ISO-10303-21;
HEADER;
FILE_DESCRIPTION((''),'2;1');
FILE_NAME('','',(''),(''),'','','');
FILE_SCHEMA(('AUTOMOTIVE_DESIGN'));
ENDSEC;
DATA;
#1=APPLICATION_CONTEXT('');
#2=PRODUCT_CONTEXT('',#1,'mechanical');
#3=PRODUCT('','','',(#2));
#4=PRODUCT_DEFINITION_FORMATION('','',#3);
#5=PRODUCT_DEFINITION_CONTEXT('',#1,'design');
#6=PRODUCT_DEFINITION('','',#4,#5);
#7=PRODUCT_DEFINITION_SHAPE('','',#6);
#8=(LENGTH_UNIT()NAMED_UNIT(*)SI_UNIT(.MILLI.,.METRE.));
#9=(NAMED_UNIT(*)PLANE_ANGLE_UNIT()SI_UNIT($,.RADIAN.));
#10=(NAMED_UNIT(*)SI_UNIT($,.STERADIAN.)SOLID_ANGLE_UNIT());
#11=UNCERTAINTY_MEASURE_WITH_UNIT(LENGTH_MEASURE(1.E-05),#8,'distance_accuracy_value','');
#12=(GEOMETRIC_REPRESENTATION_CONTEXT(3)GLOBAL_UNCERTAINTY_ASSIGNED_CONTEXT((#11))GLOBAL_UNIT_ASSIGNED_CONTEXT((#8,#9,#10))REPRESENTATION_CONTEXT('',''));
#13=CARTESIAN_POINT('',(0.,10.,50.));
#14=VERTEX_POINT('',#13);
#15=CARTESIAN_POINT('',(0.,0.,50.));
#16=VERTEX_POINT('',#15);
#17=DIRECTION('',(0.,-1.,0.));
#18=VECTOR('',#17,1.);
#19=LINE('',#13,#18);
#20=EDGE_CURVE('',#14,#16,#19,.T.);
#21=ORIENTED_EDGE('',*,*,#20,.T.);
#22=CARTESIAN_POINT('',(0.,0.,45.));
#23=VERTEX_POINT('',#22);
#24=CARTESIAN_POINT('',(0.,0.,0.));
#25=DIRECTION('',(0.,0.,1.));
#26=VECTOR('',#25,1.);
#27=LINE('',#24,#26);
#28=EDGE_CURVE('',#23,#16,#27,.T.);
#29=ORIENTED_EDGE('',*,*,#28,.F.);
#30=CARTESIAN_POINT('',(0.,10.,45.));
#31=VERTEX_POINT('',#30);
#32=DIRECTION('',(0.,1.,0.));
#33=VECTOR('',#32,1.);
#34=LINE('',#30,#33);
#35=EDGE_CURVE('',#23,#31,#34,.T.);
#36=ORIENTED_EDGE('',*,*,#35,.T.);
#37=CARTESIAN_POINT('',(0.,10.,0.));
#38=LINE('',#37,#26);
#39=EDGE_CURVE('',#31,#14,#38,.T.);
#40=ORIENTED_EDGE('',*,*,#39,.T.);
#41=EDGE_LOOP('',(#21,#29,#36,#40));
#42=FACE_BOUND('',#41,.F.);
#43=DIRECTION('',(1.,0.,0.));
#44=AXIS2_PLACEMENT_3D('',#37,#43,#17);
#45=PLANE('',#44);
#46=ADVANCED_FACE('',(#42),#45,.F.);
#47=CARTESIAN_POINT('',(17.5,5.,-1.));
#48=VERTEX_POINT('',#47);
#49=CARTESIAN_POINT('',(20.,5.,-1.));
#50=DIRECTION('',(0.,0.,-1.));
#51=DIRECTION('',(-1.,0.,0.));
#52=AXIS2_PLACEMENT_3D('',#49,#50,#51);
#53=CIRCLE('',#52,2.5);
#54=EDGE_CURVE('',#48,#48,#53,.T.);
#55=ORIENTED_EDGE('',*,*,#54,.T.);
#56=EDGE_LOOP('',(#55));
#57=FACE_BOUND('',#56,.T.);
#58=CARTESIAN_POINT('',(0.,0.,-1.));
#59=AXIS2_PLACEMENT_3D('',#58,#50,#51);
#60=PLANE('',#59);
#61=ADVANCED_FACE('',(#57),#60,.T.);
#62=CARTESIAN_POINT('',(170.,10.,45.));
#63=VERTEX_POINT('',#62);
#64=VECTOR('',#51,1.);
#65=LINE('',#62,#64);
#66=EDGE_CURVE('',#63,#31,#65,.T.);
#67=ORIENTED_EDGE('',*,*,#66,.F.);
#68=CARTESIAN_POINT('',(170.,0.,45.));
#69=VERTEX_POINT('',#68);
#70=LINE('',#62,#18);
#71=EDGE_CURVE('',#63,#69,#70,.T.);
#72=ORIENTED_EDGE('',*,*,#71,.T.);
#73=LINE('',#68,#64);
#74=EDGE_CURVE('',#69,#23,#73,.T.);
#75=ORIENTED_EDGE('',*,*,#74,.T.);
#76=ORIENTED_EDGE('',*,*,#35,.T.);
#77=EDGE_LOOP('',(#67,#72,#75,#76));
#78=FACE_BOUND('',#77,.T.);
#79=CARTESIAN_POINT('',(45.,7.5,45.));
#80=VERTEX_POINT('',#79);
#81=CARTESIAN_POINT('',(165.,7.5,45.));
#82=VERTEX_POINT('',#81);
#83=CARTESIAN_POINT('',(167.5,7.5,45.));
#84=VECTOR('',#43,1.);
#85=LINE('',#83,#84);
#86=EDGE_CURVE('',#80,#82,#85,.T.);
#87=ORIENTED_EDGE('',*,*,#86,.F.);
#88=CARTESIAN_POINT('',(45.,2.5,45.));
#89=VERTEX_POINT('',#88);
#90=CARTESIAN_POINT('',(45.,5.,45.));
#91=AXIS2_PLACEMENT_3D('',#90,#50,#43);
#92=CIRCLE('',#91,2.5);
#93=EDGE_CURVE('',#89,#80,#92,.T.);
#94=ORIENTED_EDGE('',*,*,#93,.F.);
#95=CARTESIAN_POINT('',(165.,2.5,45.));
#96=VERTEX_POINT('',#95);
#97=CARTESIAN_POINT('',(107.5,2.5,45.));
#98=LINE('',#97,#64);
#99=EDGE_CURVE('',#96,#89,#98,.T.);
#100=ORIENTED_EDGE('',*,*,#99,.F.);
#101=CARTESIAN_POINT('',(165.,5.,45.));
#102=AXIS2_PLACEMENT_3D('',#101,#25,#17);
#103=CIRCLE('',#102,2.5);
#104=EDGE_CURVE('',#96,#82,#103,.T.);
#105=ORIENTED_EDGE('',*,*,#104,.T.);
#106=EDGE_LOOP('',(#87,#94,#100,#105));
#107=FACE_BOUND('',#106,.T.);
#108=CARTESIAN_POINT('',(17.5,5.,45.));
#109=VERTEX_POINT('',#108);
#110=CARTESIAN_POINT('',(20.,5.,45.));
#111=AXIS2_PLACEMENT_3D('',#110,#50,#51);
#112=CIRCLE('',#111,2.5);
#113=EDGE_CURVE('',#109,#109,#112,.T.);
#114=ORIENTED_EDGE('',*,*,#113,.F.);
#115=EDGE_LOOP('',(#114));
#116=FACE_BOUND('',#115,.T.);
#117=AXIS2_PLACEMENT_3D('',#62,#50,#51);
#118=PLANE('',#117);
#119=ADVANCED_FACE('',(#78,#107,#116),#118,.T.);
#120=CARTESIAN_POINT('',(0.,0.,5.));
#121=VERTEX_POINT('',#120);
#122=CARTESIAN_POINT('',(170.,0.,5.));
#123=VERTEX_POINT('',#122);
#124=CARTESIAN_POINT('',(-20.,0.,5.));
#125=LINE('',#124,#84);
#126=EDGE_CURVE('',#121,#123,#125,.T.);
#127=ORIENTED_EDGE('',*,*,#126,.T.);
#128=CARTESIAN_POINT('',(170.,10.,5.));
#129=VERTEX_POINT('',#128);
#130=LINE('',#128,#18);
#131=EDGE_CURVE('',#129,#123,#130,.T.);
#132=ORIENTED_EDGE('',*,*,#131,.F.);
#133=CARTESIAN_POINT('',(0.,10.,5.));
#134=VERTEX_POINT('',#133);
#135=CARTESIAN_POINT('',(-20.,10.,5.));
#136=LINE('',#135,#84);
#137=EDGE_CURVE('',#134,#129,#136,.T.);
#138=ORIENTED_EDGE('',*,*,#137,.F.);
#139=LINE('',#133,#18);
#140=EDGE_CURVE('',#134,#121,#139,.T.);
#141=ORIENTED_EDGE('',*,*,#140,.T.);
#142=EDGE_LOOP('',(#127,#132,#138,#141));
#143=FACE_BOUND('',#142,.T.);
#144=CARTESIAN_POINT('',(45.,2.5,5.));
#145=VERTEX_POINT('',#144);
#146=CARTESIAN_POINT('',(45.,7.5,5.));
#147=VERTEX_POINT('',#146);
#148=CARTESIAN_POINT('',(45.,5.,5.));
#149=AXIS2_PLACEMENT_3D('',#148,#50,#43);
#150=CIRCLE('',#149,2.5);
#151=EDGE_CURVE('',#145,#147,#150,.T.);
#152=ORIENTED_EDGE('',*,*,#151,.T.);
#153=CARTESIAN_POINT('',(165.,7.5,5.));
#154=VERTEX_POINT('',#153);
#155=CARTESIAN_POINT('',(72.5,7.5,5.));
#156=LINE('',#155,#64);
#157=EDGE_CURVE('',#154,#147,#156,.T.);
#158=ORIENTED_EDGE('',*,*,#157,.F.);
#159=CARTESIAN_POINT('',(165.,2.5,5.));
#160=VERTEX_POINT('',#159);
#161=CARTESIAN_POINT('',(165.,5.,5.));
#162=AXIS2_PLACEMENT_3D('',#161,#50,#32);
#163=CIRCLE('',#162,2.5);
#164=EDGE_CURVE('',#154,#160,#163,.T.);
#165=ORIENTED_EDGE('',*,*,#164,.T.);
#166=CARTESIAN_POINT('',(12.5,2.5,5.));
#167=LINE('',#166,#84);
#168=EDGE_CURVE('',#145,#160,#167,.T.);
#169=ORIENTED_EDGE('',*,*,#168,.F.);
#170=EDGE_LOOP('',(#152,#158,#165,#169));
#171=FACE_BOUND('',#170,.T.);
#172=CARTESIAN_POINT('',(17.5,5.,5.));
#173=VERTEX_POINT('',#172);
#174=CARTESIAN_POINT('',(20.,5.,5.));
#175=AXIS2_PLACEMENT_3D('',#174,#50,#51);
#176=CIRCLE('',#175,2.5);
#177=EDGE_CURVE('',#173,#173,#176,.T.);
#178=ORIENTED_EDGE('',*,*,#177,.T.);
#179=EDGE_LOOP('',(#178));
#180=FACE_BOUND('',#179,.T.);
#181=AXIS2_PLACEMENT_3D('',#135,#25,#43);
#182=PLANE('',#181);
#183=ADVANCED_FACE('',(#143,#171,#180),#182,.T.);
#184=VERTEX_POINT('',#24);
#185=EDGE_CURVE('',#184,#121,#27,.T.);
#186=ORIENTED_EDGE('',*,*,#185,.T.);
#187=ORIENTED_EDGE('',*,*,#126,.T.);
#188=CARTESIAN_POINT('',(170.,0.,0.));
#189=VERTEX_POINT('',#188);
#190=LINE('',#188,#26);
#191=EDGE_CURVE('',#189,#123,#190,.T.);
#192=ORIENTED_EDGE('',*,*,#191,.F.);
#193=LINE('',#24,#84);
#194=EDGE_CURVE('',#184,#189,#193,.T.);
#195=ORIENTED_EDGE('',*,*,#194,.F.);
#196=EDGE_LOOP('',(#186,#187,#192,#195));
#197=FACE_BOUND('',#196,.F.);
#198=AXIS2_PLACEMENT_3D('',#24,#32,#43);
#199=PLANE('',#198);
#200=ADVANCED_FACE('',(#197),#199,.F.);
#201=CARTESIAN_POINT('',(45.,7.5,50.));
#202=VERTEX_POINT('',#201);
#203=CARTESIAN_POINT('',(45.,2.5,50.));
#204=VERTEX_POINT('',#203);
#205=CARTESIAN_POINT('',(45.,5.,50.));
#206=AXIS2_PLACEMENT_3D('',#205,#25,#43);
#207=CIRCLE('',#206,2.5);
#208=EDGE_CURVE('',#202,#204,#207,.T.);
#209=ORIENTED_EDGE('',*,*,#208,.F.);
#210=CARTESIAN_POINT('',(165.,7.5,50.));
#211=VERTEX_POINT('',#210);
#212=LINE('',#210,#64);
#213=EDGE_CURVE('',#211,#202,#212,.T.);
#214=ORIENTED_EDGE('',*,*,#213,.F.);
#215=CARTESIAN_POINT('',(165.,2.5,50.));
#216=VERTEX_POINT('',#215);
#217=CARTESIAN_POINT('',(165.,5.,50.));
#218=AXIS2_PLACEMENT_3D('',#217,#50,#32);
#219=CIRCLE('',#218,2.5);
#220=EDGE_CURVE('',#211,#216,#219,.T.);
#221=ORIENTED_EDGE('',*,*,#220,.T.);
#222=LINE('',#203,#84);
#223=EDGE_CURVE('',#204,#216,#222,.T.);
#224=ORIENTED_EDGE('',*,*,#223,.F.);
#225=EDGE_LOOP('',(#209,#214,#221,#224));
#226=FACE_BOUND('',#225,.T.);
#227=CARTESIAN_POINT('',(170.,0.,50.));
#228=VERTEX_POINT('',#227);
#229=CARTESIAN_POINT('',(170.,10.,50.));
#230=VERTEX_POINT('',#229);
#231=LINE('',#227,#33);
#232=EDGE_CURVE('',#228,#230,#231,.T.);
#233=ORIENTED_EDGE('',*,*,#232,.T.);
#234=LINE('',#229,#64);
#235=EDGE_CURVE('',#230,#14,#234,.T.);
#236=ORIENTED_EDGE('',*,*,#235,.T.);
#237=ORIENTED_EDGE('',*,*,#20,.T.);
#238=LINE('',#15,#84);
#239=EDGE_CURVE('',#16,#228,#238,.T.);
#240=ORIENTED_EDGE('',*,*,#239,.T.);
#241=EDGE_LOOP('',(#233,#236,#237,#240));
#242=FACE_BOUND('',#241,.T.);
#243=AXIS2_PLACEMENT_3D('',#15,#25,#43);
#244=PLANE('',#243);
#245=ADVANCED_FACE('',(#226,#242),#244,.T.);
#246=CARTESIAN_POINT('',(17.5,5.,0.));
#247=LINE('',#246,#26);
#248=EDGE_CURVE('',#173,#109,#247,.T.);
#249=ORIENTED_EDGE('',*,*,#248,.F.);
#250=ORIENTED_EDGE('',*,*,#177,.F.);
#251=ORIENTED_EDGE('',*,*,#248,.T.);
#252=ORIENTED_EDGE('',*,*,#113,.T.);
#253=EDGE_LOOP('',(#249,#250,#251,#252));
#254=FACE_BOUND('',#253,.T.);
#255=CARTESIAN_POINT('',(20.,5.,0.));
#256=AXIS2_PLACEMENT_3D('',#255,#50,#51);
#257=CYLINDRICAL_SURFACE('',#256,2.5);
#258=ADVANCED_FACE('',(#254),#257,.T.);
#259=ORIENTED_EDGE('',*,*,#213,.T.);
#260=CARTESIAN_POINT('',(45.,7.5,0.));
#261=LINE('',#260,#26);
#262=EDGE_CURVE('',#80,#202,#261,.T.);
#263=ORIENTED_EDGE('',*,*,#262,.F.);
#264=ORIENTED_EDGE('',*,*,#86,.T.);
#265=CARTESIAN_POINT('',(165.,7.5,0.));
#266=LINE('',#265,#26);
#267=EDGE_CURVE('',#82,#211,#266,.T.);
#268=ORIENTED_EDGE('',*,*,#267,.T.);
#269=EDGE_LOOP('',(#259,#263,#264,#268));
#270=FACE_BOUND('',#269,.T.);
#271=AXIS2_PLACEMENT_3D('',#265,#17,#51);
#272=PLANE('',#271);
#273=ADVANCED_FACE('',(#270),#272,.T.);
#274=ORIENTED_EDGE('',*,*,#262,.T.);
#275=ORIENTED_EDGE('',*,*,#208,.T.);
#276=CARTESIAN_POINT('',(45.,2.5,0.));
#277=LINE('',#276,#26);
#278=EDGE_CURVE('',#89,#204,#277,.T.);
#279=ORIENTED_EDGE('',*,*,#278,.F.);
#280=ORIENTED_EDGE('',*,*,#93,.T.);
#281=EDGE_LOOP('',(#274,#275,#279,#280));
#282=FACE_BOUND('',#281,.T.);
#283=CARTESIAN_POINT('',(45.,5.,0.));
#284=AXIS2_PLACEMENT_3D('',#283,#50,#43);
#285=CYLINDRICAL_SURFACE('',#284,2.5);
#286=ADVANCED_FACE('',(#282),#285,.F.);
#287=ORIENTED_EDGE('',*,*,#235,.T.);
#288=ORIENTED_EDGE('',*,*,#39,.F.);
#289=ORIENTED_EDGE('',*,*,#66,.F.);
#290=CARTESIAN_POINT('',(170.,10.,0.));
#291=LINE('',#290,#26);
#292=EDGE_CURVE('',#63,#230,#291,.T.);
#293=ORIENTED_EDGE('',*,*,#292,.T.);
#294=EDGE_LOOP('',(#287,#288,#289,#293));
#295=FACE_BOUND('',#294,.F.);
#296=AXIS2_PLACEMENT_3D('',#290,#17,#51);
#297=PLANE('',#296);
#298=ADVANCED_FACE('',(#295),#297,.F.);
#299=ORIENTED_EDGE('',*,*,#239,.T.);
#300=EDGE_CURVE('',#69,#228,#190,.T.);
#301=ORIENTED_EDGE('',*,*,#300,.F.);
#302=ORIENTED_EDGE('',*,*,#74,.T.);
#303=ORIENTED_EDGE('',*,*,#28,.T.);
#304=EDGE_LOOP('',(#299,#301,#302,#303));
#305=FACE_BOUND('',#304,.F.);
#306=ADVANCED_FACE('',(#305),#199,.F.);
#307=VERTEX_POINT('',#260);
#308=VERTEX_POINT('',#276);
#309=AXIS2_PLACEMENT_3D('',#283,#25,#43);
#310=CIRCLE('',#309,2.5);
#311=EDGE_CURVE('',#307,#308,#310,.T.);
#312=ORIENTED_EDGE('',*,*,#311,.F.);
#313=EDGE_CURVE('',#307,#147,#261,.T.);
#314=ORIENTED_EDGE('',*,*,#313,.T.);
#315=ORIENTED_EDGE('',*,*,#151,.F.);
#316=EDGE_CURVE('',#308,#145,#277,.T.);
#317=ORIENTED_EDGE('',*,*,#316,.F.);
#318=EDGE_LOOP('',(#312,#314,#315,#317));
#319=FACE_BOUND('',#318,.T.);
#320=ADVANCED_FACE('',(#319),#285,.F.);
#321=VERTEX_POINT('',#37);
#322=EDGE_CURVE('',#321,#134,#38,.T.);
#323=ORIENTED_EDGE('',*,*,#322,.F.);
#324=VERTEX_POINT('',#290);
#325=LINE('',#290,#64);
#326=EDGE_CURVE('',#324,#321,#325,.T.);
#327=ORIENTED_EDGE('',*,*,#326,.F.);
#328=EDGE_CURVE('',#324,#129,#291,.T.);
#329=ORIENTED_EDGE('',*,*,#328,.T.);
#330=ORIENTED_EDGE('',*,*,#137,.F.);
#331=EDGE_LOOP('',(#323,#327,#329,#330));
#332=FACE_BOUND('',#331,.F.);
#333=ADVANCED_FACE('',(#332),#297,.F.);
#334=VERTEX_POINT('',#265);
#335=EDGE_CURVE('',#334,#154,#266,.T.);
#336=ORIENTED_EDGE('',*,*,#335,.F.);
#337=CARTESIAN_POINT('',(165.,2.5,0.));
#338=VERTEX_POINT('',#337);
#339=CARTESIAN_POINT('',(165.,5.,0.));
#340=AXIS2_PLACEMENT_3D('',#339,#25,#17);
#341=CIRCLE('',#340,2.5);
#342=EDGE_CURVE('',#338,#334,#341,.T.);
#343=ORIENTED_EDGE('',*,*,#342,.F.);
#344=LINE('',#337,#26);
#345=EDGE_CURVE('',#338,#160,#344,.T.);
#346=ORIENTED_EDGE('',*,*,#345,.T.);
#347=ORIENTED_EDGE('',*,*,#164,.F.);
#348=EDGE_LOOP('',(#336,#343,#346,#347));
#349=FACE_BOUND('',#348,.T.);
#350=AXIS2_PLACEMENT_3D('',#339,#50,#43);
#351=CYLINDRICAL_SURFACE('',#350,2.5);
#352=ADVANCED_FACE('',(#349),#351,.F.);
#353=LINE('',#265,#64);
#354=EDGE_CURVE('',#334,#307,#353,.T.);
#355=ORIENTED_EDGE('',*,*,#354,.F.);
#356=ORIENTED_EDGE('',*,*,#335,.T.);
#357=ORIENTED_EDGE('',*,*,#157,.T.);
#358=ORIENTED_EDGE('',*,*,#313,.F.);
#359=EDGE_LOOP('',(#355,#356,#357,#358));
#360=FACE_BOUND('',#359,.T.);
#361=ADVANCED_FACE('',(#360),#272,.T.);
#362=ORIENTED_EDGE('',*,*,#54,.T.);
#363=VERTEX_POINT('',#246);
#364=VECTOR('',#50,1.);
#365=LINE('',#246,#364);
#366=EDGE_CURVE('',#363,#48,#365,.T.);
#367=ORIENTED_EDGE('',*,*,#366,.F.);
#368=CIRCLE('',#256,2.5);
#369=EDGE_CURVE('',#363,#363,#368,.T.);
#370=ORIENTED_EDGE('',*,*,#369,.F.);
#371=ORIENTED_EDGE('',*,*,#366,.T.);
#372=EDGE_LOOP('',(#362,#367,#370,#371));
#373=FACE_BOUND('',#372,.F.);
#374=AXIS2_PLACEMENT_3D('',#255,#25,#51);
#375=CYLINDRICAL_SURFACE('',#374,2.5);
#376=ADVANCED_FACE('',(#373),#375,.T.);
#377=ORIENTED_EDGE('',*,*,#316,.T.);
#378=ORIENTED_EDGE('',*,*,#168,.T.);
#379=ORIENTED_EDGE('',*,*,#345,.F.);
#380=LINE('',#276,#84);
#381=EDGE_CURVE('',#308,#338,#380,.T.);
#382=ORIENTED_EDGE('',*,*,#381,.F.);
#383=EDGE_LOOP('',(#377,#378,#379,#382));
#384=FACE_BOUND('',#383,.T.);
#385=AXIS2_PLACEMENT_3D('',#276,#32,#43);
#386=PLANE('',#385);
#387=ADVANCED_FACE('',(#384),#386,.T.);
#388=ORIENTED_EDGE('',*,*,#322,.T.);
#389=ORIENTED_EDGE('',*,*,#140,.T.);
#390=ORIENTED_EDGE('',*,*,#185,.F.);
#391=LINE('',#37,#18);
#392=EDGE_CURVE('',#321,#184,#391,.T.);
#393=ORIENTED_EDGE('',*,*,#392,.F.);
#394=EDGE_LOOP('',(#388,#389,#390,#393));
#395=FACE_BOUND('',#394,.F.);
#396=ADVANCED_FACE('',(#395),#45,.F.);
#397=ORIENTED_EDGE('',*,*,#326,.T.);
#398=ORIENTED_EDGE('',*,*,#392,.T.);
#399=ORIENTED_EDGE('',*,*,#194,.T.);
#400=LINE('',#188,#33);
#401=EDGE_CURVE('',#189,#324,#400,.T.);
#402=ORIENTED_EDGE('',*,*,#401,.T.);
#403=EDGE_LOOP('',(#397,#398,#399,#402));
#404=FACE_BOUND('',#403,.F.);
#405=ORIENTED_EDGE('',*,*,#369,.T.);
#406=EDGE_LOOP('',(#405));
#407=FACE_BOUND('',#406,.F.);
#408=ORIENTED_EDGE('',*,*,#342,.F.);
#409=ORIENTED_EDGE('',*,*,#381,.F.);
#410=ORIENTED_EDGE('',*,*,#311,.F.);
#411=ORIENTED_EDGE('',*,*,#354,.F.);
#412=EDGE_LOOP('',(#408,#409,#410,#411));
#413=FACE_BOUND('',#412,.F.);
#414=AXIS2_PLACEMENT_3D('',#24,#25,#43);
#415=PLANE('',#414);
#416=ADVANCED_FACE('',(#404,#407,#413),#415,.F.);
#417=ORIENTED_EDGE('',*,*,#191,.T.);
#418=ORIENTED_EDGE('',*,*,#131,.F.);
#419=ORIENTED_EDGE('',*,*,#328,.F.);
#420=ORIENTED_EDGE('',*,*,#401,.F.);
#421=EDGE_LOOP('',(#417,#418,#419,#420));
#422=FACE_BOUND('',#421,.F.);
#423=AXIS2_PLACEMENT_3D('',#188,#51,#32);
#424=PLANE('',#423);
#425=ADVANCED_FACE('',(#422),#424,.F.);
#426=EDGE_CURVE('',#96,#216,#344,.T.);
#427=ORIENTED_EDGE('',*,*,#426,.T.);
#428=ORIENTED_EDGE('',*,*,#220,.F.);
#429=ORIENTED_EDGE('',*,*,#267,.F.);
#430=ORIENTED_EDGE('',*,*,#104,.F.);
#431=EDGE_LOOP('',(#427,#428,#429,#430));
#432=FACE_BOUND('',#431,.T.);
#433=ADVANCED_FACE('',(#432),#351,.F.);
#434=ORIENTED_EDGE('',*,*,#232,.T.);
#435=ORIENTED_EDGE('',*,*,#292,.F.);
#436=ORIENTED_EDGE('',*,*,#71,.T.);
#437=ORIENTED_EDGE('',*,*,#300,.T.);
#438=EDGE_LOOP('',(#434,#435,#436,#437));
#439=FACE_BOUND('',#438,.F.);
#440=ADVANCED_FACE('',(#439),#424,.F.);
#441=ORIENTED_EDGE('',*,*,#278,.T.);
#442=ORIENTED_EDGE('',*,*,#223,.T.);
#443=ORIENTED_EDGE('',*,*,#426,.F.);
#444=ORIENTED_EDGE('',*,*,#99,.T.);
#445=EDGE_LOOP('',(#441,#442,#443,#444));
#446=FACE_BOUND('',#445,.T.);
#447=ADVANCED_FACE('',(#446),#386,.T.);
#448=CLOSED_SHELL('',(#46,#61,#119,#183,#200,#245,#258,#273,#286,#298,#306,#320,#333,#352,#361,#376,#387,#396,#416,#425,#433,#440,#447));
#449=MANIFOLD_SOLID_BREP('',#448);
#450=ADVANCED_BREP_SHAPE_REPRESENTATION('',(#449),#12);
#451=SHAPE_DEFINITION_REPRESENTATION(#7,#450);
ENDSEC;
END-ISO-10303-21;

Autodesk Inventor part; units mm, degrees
ref_plane "YZ Plane" through (0, 0, 0) normal (1, 0, 0) x (0, 1, 0)
ref_plane "XZ Plane" through (0, 0, 0) normal (0, 1, 0) x (-1, 0, 0)
ref_plane "XY Plane" through (0, 0, 0) normal (0, 0, 1) x (1, 0, 0)
sketch "Sketch1" plane through (0, 0, 0) normal (0, 0, 1) x (1, 0, 0)
  point P0 (0, 0)
sketch "Sketch2" plane through (0, 0, 0) normal (0, 0, 1) x (1, 0, 0)
  line L0 (0, 0) -> (170, 0)
  line L1 (170, 0) -> (170, 10)
  line L2 (170, 10) -> (0, 10)
  line L3 (0, 10) -> (0, 0)
  circle A0 centre (165, 5) radius 2.5
  circle A1 centre (45, 5) radius 2.5
  line L4 (45, 2.5) -> (165, 2.5)
  line L5 (165, 2.5) -> (165, 7.5)
  line L6 (165, 7.5) -> (45, 7.5)
  line L7 (45, 7.5) -> (45, 2.5)
  point P0 (45, 7.5)
  point P1 (165, 2.5)
  dimension "d4" = 5
  dimension "d5" = 5
  dimension "d0" = 170
  dimension "d1" = 10
  dimension "d2" = 5
  dimension "d3" = 5
  dimension "d6" = 120
  dimension "d7" = 5
  dimension "d8" = 2.5
  dimension "d9" = 2.5
extrude "Extrusion1" add sketch "Sketch2" along normal blind 50
sketch "Sketch3" plane through (0, 10, 0) normal (0, 1, 0) x (1, 0, 0)
  line L0 (170, 0) -> (170, -50) projected
  line L1 (170, -45) -> (-20, -45)
  line L2 (-20, -45) -> (-20, -5)
  line L3 (-20, -5) -> (170, -5)
  line L4 (170, -5) -> (170, -45)
  line L5 (170, -50) -> (0, -50) projected
  line L6 (170, 0) -> (0, 0) projected
  dimension "d12" = 190
  dimension "d13" = 5
  dimension "d14" = 5
extrude "Extrusion2" cut sketch "Sketch3" against normal blind 10
sketch "Sketch4" plane through (0, 0, 0) normal (0, 0, -1) x (-1, 0, 0)
  circle A0 centre (-20, 5) radius 2.5
  line L0 (0, 10) -> (0, 0) projected
  line L1 (0, 0) -> (-170, 0) projected
  dimension "d17" = 20
  dimension "d18" = 5
  dimension "d19" = 5
extrude "Extrusion3" add sketch "Sketch4" along normal blind 1 and the other way blind 50
properties part number "Base"
